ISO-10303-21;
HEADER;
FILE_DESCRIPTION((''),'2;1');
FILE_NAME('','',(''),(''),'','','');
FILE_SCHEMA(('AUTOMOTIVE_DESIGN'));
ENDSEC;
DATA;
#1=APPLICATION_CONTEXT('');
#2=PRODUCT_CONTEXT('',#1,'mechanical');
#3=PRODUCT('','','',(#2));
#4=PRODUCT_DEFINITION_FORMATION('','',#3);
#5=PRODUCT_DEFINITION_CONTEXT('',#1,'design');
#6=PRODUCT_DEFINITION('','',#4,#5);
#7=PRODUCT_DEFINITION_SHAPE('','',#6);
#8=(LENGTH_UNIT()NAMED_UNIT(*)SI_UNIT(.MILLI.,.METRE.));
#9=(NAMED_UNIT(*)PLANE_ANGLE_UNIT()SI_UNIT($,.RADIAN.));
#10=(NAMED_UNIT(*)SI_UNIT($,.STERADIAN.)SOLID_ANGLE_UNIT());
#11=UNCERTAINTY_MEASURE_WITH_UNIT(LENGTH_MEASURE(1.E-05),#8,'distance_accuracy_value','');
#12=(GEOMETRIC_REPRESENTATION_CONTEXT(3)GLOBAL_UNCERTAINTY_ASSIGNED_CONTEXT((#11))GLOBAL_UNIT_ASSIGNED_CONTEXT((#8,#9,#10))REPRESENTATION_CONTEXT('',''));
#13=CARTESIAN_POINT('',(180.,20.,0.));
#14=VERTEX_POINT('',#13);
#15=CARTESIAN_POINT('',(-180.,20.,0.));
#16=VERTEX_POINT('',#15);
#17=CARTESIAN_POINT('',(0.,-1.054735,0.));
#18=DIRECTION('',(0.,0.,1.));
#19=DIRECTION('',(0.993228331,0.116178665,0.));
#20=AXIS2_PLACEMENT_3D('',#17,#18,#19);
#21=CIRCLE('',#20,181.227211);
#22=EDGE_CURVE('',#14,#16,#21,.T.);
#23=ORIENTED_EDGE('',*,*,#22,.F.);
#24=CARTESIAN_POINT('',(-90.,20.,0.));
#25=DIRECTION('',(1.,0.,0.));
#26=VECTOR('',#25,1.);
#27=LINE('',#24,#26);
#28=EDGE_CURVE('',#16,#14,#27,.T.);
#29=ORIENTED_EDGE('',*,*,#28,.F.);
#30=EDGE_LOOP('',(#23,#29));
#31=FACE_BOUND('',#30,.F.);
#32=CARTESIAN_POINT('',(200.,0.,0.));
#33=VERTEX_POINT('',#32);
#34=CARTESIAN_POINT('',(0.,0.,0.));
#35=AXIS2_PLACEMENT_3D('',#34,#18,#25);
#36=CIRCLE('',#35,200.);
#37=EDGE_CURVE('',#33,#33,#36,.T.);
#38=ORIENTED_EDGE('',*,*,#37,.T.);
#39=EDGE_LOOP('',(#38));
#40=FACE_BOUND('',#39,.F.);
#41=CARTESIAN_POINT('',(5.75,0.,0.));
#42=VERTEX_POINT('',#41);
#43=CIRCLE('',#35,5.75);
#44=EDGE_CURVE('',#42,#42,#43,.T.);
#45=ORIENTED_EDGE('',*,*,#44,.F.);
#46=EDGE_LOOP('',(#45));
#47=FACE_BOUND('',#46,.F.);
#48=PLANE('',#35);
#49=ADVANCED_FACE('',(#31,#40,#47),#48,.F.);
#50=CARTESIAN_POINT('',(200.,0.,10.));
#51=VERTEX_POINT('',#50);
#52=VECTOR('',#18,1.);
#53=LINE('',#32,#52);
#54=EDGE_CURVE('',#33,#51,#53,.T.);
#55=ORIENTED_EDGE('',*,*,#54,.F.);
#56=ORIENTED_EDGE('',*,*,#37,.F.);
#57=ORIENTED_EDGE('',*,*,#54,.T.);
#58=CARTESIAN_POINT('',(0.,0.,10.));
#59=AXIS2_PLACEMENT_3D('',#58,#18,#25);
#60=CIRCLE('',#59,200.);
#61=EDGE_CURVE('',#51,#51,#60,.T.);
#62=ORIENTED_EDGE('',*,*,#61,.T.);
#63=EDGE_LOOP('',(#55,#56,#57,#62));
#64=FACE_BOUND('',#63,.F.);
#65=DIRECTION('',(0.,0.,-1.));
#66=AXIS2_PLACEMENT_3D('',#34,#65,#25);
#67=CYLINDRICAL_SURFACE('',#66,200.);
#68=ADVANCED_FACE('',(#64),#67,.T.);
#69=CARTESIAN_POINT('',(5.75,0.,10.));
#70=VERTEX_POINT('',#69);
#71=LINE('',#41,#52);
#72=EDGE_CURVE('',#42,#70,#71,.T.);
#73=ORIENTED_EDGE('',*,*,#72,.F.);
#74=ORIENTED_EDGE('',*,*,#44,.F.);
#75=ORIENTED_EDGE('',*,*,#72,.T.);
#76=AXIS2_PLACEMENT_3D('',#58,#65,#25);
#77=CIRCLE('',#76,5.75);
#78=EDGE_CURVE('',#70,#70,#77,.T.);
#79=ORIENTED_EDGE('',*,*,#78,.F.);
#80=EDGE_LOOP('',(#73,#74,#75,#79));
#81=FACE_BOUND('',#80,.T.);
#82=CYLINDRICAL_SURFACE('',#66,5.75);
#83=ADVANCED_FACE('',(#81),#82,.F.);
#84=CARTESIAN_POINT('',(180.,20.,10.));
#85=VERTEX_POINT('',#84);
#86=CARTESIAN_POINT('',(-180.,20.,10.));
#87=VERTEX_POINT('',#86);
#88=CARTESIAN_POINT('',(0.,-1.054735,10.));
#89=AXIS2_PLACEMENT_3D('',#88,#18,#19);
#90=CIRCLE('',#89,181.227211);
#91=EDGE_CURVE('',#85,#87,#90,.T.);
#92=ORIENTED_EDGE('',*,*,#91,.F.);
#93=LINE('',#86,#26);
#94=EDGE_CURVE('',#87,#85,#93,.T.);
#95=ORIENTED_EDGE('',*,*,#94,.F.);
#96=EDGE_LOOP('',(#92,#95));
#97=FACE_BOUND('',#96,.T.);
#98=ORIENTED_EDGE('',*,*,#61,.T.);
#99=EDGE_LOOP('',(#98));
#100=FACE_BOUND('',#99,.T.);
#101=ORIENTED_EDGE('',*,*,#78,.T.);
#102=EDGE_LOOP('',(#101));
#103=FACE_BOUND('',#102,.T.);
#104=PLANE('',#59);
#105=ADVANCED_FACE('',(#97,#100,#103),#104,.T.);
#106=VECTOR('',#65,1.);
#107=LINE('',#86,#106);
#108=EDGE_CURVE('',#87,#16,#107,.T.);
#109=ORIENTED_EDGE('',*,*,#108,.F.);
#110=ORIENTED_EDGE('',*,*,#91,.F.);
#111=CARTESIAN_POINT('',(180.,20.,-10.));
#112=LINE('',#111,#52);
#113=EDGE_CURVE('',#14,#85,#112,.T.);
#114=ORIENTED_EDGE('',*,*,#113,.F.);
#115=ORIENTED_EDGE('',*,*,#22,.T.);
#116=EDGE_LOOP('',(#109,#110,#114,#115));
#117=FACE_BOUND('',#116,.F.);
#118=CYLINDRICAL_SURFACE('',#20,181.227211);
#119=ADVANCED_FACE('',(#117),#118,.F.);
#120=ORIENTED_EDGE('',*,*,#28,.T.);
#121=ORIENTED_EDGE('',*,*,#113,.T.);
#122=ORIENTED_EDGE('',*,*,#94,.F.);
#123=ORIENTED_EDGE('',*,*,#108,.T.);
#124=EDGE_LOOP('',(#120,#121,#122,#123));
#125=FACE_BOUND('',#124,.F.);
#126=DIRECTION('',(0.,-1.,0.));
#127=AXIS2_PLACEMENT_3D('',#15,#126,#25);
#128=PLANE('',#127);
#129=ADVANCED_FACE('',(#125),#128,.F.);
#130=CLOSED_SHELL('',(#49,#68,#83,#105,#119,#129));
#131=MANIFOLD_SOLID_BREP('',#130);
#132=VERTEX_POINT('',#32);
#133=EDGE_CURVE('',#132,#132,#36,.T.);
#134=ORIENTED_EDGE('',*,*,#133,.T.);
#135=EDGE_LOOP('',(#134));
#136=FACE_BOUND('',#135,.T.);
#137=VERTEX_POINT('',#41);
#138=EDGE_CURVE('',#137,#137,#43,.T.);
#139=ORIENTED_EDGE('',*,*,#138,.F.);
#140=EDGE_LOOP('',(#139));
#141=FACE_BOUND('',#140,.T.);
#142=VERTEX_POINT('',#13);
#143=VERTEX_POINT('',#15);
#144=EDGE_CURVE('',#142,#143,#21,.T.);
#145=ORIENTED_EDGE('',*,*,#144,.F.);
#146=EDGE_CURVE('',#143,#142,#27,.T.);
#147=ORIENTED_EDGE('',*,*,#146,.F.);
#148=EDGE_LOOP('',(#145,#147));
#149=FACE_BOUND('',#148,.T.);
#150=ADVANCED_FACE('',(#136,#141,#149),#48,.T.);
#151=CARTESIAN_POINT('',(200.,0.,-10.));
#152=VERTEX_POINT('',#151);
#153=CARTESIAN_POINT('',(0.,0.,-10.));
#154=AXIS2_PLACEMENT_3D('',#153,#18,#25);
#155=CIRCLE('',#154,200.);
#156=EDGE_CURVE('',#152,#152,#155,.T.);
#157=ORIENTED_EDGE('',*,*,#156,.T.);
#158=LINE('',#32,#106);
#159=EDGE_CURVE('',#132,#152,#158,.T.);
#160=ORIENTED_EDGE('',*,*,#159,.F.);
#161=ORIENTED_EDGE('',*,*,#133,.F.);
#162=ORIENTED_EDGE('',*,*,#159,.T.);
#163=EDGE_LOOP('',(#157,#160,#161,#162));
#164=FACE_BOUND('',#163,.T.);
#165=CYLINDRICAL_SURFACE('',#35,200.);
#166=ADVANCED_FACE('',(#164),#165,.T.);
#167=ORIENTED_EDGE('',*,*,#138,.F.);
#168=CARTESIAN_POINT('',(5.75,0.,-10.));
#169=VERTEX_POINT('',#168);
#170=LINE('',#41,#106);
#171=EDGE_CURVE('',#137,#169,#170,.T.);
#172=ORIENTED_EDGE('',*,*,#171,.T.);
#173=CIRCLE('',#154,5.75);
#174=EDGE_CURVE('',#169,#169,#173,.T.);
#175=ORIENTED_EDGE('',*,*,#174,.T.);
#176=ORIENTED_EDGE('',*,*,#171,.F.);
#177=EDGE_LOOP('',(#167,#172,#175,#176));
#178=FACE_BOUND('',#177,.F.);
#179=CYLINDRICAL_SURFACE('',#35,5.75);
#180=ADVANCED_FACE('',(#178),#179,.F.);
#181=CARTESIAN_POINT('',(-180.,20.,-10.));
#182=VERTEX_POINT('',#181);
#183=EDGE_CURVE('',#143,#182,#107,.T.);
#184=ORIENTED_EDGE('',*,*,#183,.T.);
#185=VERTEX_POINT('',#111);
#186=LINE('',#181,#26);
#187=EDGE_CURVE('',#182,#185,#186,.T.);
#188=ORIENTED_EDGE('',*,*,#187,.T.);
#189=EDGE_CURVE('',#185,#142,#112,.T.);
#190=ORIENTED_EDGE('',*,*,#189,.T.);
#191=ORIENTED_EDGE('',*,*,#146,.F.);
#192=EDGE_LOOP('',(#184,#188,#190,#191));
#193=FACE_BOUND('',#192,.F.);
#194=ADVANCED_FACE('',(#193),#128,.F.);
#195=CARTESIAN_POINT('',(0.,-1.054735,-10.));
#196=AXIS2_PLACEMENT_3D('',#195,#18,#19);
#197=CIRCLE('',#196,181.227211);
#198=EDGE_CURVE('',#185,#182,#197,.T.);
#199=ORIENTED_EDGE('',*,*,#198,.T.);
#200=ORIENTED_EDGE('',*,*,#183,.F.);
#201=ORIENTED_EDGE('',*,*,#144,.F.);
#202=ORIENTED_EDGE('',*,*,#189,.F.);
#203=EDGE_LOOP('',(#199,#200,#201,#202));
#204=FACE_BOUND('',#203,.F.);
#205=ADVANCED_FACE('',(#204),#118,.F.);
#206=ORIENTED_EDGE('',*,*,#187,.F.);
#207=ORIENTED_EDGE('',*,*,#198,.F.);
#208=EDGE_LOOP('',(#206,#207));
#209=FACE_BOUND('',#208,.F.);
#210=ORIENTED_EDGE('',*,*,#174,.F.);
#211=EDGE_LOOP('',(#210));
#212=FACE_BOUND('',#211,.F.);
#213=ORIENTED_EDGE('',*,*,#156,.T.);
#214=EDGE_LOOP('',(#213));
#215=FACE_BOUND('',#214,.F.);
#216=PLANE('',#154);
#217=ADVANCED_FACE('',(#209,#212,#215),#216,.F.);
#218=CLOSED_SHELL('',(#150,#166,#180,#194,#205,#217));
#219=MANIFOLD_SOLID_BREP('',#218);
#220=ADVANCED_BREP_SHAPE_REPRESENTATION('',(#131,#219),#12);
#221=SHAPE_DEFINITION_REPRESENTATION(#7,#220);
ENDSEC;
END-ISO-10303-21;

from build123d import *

# Parameters (mm, degrees)
F0_R          = 200
F1_DEPTH      = 10
F2_DEPTH      = 10
F3_R          = 5.75
F4_DEPTH      = 10
F4_DEPTH_BACK = 20
F6_DEPTH      = 10
F6_DEPTH_BACK = 10


with BuildPart() as f1:
    # F0 (on Top) → F1 (new body)
    with BuildSketch(Plane.XY):
        Circle(F0_R)
    extrude(amount=F1_DEPTH)


with BuildPart() as f2:
    # F0 (on Top) → F2 (new body)
    with BuildSketch(Plane.XY):
        Circle(F0_R)
    extrude(amount=-F2_DEPTH)


with BuildPart() as f4_tool:
    # F3 (on Top) → F4 (new body, two sides)
    with BuildSketch(Plane.XY) as f4_sk:
        Circle(F3_R)
    extrude(amount=-F4_DEPTH)
    extrude(f4_sk.sketch, amount=F4_DEPTH_BACK)


with BuildPart() as f1_1:
    add(f1.part)

    # F4: cut by f4_tool
    add(f4_tool.part, mode=Mode.SUBTRACT)


with BuildPart() as f2_1:
    add(f2.part)

    # F4: cut by f4_tool
    add(f4_tool.part, mode=Mode.SUBTRACT)


with BuildPart() as f6_tool:
    # F5 (on Top) → F6 (new body, two sides)
    with BuildSketch(Plane.XY) as f6_sk:
        with BuildLine():
            Line((-180, 20), (180, 20))
            ThreePointArc((180, 20), (0, 180.1724752314), (-180, 20))
        make_face()
    extrude(amount=F6_DEPTH)
    extrude(f6_sk.sketch, amount=-F6_DEPTH_BACK)


with BuildPart() as f1_2:
    add(f1_1.part)

    # F6: cut by f6_tool
    add(f6_tool.part, mode=Mode.SUBTRACT)


with BuildPart() as f2_2:
    add(f2_1.part)

    # F6: cut by f6_tool
    add(f6_tool.part, mode=Mode.SUBTRACT)


solid = Compound([f1_2.part, f2_2.part])
